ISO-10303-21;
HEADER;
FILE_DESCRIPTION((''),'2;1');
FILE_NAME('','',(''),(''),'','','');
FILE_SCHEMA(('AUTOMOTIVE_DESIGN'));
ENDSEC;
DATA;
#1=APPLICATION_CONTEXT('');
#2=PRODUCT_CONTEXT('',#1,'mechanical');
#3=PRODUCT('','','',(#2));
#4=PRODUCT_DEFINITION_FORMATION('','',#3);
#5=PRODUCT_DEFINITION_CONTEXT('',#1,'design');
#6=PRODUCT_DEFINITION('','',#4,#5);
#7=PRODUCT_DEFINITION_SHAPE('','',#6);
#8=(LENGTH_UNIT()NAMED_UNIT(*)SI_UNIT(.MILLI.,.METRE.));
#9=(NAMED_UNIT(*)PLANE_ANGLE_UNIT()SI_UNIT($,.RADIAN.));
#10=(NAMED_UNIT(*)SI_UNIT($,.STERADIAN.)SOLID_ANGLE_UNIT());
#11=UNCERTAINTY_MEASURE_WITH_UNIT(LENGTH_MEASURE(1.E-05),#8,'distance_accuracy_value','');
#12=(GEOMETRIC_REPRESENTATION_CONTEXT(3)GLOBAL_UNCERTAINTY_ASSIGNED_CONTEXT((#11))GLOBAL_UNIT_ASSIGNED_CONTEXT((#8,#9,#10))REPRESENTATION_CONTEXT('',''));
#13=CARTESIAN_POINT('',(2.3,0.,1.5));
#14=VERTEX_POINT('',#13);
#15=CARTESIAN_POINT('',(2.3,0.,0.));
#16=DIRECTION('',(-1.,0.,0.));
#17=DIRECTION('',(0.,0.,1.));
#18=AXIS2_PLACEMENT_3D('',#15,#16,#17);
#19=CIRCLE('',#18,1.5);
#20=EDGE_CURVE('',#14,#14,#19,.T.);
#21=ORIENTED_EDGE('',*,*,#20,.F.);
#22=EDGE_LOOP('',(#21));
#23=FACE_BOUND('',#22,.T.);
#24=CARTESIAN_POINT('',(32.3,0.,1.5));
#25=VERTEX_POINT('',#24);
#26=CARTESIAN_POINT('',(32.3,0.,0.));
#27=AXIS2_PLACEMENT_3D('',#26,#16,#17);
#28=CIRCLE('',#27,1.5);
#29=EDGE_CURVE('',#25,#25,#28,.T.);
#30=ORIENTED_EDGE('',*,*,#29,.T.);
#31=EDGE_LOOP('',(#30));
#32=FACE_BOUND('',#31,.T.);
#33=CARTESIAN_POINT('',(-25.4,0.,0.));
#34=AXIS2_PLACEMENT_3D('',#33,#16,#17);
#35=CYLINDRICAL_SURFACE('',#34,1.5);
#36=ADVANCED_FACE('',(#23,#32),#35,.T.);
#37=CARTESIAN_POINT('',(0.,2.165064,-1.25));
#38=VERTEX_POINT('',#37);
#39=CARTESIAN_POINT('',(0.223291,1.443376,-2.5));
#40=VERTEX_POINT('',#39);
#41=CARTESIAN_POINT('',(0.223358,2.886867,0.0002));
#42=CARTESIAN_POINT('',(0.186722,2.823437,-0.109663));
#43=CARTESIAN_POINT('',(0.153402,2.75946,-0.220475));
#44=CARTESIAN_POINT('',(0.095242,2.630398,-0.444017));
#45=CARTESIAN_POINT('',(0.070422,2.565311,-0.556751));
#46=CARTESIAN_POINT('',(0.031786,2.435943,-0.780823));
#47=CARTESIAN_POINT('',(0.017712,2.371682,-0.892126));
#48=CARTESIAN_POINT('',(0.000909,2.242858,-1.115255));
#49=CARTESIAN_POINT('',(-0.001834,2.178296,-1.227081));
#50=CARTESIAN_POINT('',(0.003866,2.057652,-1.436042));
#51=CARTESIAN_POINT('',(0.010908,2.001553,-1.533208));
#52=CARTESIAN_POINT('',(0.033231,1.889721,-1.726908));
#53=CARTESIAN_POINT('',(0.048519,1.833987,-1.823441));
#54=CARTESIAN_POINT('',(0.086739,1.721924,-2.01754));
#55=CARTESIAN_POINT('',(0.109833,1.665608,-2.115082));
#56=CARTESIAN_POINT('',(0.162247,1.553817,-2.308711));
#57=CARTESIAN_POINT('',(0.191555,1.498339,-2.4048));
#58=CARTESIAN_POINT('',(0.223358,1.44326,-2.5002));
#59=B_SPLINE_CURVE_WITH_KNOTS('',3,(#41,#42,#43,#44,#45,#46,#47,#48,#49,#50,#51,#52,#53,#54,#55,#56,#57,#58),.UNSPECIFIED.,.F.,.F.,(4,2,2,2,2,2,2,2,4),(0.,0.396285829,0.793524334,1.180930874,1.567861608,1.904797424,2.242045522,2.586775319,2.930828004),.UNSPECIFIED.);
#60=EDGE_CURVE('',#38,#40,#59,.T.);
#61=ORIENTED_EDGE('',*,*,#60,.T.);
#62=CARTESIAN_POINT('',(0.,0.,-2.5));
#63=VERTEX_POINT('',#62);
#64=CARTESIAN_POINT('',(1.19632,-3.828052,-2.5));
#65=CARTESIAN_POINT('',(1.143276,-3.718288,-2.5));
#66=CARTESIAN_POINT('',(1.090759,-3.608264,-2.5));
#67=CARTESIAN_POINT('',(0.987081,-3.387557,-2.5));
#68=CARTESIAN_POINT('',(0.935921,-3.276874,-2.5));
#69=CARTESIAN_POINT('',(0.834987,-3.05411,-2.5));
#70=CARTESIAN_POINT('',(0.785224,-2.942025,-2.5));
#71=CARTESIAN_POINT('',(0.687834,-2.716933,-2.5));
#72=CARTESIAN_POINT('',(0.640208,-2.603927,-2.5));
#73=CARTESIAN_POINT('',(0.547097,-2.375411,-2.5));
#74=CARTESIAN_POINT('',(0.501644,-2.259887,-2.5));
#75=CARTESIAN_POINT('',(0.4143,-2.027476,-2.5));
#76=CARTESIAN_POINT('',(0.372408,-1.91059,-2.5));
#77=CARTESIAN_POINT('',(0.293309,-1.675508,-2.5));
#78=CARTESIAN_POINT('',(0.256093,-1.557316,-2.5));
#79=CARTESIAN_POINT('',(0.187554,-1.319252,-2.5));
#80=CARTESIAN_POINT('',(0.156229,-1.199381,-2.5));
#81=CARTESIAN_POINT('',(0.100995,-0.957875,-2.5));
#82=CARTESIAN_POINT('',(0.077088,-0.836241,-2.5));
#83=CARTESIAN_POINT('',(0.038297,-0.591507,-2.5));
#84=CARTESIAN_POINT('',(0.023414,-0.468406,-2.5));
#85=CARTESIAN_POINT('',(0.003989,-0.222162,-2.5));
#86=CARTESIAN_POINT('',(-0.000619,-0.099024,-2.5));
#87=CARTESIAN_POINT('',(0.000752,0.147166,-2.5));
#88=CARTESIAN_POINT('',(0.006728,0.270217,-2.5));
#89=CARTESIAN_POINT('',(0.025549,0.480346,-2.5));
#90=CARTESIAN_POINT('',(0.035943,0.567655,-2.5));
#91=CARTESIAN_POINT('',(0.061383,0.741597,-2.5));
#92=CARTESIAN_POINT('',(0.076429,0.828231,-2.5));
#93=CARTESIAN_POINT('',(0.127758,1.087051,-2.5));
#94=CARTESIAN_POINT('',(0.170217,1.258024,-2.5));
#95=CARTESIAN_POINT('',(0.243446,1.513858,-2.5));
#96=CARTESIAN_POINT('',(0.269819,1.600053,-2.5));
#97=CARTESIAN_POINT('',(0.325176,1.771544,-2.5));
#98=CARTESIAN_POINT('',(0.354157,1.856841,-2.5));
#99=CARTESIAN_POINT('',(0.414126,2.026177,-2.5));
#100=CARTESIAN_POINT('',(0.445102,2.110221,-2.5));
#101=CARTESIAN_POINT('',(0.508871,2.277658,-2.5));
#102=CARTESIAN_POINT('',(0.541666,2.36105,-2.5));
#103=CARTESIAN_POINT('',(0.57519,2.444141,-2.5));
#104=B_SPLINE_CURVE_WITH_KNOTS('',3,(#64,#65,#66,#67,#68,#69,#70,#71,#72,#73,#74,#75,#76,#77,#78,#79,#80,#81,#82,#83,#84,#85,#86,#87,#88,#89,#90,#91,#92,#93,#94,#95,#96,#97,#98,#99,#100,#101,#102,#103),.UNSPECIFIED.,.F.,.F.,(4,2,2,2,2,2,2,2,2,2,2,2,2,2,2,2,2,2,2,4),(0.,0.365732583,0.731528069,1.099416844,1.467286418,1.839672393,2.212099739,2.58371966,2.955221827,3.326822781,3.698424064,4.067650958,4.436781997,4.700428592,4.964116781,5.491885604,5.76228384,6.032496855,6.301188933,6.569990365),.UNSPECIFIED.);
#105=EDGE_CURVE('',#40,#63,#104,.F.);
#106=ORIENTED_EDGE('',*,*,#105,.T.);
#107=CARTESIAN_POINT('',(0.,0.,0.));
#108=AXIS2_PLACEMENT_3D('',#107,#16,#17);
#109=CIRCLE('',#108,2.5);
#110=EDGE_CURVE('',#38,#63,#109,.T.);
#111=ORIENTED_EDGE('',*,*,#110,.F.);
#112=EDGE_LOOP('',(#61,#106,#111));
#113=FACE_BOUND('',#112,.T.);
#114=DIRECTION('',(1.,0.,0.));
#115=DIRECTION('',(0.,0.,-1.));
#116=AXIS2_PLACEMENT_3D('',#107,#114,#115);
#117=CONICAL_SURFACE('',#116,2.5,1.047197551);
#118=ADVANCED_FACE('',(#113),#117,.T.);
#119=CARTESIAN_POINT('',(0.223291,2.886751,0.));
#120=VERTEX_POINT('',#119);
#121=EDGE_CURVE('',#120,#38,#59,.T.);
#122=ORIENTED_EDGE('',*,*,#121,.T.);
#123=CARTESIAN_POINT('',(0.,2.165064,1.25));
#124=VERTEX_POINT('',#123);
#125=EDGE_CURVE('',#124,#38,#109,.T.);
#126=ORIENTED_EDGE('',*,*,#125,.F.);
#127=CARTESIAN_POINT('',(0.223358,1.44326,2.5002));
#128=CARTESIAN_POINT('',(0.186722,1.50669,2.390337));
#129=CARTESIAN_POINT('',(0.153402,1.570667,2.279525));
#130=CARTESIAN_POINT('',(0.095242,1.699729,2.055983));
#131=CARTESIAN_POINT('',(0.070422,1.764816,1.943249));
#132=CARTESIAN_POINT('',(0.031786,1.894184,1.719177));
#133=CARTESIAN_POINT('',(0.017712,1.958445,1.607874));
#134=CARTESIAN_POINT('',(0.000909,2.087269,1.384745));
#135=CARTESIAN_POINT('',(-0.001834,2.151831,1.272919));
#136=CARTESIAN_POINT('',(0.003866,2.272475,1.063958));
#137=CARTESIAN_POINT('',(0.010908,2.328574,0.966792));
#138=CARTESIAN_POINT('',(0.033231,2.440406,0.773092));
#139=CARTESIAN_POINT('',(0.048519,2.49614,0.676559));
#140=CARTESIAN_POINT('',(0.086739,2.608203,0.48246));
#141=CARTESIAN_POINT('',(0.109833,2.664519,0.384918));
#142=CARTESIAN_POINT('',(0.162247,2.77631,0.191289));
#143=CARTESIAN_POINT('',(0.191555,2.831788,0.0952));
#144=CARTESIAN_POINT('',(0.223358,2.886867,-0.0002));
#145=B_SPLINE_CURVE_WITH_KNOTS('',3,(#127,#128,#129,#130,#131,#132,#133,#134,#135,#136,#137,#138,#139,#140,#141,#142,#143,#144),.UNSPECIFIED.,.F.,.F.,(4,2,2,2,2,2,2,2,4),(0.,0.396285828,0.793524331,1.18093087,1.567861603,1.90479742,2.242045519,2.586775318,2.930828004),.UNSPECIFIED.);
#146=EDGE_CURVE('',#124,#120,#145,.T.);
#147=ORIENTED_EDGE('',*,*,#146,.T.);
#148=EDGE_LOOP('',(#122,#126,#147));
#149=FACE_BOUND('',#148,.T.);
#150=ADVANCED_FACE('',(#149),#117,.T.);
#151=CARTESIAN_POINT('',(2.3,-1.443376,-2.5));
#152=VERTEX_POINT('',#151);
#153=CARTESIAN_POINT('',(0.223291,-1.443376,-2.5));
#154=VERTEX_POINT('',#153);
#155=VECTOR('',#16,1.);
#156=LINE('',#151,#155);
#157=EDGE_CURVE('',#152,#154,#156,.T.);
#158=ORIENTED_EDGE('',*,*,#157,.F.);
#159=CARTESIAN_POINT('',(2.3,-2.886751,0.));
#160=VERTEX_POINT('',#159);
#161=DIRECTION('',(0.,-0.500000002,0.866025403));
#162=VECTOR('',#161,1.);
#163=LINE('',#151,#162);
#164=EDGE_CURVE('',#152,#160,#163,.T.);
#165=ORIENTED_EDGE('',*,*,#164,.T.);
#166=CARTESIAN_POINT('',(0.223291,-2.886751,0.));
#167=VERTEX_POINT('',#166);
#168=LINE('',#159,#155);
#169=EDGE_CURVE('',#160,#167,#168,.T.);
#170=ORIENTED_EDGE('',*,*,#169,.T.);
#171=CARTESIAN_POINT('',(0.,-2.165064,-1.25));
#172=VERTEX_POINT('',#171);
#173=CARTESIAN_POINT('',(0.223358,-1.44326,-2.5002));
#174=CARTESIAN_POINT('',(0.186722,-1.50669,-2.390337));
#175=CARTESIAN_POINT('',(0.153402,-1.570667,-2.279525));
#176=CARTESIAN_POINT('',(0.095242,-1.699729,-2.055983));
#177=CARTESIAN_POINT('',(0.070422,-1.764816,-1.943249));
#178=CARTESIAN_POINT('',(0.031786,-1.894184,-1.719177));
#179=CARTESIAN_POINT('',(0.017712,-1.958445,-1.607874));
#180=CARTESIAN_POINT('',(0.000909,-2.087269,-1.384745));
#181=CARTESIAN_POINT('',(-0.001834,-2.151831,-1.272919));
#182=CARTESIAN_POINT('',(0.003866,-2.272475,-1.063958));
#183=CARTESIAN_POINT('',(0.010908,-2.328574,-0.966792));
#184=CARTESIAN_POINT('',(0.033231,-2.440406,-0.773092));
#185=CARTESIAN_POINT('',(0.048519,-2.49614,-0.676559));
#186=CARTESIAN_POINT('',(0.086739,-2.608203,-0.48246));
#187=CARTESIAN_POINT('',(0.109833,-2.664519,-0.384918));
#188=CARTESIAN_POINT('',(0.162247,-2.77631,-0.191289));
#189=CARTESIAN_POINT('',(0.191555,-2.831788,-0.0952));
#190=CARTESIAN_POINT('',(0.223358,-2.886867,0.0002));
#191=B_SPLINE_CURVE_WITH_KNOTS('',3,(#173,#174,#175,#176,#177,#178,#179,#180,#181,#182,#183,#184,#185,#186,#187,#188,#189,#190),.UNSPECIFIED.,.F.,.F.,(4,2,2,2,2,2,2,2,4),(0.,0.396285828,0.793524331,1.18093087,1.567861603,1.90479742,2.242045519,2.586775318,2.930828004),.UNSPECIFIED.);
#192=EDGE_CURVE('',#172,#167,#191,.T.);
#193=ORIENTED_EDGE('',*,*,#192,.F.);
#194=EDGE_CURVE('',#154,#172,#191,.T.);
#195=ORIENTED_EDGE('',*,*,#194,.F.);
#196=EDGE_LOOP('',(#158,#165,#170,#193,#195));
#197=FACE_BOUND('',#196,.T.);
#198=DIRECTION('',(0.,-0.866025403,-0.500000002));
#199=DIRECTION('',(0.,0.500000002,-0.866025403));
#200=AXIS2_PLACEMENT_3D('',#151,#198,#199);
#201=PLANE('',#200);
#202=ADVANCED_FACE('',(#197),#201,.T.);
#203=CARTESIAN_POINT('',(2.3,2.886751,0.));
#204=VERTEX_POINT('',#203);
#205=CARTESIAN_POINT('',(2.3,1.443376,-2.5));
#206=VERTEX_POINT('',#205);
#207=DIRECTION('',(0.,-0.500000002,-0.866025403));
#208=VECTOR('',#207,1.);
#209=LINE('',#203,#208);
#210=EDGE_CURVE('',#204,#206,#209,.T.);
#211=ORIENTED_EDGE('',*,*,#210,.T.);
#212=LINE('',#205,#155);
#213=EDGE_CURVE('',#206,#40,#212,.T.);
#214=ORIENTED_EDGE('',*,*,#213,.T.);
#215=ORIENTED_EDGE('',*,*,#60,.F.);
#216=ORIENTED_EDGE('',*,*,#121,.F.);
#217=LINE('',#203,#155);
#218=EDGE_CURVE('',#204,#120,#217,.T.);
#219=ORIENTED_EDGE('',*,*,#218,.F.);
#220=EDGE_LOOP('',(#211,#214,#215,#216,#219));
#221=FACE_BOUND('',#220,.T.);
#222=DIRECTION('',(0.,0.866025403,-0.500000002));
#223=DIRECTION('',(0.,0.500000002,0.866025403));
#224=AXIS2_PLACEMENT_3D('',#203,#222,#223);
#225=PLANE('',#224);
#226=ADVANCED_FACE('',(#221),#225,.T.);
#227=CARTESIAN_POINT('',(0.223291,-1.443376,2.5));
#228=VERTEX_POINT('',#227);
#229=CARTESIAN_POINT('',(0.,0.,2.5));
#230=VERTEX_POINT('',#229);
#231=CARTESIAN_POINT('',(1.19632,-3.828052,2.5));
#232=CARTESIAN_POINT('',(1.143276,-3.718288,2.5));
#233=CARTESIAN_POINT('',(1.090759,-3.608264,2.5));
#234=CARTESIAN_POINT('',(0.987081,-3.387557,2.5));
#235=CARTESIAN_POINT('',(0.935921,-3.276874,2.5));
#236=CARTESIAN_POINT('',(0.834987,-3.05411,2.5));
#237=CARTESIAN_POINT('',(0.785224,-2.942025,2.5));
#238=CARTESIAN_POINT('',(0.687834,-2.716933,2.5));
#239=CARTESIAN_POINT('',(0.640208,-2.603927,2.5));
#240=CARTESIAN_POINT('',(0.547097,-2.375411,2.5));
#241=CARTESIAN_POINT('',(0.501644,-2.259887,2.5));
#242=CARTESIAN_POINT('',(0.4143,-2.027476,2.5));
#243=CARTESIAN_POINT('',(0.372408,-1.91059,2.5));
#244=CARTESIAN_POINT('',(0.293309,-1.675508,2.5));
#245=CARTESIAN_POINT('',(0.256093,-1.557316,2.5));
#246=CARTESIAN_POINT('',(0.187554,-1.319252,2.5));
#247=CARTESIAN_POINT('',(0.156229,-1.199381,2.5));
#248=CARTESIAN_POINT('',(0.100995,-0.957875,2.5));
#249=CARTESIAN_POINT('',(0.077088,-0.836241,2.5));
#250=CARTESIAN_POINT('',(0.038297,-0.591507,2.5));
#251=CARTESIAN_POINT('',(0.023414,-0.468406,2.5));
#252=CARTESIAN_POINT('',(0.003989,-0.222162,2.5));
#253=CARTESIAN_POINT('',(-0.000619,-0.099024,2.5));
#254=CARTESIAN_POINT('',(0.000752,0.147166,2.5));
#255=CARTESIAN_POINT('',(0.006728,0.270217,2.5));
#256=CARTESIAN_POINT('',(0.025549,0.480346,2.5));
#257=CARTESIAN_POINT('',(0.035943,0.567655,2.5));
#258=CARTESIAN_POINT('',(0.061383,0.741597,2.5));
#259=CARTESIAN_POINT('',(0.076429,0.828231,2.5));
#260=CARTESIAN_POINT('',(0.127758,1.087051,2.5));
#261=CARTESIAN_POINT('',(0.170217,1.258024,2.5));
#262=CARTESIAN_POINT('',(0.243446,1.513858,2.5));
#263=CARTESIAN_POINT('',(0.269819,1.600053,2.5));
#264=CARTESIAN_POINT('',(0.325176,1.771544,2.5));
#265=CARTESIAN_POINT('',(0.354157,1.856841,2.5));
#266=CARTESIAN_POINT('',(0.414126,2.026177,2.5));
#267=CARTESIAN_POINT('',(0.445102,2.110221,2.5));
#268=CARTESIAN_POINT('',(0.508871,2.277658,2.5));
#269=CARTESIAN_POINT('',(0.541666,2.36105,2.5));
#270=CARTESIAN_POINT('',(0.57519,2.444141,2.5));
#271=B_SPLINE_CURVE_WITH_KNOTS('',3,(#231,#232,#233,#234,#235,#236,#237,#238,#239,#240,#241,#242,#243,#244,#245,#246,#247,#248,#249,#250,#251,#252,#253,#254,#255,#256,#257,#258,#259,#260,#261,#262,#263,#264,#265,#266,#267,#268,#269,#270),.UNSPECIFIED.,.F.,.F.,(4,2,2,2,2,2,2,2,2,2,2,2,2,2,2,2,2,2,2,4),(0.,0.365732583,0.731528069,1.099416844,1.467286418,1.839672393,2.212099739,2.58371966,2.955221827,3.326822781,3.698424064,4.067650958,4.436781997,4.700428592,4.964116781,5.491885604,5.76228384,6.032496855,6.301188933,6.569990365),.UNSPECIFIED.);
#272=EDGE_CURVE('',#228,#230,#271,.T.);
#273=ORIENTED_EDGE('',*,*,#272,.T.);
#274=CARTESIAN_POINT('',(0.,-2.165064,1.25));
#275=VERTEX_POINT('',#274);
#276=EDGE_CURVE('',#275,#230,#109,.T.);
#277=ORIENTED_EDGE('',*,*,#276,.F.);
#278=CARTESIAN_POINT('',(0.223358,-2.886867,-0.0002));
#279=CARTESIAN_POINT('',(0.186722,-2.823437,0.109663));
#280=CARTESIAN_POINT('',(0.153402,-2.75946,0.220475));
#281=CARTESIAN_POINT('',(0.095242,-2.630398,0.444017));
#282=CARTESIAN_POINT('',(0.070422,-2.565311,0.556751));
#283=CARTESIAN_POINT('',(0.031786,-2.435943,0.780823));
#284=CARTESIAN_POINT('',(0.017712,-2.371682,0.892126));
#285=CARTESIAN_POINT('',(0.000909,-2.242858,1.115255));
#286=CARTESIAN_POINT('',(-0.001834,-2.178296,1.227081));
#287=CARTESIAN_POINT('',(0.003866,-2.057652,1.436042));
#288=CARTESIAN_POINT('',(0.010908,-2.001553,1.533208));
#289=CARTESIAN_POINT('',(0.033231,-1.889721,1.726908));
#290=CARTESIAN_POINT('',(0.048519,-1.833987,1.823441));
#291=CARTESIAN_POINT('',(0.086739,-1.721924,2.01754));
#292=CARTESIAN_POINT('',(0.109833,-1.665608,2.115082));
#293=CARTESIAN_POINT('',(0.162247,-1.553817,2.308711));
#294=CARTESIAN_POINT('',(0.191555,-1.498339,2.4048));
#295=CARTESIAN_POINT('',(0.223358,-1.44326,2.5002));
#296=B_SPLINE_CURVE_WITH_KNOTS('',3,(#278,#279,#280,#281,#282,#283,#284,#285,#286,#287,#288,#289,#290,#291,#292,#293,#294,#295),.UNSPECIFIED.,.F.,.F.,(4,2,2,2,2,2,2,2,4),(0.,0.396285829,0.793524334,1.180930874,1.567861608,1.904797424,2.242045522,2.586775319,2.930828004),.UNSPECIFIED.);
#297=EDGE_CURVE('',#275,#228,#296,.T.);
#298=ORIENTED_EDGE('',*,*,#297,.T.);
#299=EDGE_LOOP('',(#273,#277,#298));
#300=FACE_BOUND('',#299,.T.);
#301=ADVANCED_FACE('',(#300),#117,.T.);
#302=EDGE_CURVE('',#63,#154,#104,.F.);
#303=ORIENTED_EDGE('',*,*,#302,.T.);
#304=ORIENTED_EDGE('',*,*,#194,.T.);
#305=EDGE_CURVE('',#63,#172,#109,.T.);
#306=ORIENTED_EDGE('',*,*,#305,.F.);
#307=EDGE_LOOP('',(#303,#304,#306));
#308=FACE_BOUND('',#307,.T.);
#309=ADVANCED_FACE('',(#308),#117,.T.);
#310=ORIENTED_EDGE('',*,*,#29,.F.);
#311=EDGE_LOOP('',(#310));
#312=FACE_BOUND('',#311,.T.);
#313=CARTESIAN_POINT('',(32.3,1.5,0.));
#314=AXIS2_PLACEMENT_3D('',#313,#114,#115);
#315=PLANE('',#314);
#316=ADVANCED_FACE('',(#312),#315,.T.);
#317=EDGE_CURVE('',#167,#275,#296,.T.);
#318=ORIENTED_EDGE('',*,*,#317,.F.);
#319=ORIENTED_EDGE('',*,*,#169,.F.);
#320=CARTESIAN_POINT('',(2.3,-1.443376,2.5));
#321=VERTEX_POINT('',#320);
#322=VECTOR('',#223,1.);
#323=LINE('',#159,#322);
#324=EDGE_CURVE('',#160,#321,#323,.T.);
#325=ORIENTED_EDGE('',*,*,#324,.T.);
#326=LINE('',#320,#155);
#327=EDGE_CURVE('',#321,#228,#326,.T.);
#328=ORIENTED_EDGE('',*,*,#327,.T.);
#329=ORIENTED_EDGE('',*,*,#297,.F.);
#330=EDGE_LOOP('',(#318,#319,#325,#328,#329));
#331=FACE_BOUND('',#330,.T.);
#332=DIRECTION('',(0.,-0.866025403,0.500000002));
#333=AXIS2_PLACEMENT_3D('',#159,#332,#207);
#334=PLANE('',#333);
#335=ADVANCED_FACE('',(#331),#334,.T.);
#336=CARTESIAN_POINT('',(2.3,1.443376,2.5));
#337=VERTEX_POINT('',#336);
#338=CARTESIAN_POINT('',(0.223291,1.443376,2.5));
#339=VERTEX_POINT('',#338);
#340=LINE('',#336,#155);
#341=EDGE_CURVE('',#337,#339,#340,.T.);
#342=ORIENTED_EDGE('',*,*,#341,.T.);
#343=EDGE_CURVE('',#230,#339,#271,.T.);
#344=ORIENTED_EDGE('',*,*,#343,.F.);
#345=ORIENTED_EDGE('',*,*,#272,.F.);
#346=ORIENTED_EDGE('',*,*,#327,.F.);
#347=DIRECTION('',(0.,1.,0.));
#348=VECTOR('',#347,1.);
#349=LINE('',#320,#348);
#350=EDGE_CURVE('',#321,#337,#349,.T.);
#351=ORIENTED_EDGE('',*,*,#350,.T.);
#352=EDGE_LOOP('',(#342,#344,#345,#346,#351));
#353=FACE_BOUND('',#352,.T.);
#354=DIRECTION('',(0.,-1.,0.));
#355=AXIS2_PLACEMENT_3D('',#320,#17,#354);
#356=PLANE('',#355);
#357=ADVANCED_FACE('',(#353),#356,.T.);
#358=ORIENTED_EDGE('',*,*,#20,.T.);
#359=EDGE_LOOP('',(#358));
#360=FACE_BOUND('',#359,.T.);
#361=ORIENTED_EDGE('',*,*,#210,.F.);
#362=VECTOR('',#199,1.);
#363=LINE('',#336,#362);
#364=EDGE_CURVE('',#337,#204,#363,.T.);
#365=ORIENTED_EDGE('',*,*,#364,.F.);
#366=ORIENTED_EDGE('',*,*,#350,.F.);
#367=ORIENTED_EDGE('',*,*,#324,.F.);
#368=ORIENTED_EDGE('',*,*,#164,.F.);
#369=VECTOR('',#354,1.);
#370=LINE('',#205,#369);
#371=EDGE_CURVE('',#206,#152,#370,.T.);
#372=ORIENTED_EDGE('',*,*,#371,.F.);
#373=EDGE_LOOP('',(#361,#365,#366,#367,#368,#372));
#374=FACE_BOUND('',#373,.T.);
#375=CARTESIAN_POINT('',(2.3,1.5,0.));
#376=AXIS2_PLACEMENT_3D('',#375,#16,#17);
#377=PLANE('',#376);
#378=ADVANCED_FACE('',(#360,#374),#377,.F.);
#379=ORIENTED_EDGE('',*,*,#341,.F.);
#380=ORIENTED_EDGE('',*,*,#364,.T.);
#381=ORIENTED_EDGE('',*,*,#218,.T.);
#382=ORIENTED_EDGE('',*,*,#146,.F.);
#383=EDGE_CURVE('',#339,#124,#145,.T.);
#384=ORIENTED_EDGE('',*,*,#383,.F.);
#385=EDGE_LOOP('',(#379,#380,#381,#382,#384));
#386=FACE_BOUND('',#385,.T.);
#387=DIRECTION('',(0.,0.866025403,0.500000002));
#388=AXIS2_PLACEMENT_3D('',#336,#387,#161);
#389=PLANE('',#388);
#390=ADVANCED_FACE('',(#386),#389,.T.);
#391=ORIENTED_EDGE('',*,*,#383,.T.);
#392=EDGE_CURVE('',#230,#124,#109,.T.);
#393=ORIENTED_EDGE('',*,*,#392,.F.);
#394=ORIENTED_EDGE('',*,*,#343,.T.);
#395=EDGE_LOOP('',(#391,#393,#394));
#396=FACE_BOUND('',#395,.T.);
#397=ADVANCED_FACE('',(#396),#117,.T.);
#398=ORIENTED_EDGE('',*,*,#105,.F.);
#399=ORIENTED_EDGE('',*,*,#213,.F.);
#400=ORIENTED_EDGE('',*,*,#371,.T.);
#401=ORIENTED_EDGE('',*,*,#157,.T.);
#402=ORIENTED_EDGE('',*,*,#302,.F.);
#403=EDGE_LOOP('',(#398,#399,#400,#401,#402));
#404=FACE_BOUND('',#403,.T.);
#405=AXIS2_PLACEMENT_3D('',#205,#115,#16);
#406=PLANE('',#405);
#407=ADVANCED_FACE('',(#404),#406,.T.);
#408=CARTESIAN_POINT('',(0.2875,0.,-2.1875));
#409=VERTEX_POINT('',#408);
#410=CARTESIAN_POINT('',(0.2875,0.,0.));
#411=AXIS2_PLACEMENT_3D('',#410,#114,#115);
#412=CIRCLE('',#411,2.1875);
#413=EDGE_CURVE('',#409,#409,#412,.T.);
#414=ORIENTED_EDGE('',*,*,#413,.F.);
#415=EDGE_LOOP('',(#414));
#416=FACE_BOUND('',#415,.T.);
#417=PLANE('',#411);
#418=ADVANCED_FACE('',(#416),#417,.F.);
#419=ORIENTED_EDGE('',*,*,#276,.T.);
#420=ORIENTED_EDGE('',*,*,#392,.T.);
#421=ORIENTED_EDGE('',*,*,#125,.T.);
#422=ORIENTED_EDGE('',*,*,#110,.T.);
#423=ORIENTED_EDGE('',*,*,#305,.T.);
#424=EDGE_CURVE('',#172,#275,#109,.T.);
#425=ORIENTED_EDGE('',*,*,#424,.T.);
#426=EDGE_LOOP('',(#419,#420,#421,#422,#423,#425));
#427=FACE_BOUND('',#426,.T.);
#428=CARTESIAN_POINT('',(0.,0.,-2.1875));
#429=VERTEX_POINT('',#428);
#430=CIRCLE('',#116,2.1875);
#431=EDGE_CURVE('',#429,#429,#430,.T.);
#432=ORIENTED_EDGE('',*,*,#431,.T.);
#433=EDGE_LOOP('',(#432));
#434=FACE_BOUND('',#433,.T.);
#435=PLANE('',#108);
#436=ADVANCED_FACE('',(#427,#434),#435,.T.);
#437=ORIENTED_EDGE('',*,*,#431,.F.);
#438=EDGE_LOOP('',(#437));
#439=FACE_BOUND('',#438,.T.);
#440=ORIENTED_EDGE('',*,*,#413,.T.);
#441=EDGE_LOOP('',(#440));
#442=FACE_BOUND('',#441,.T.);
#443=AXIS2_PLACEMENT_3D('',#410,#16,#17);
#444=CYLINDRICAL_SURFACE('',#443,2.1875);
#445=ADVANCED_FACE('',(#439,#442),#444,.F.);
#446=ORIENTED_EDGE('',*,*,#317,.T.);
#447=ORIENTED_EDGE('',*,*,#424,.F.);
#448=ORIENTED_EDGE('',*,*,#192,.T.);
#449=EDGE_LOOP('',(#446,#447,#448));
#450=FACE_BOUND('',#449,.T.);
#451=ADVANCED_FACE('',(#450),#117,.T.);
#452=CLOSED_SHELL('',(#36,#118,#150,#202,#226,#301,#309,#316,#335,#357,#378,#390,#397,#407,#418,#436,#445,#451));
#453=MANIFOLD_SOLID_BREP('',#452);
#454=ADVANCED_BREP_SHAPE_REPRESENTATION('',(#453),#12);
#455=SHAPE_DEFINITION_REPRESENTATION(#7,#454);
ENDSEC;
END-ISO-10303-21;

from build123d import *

# Parameters (mm, degrees)
SKETCH2_R     = 2.915704388
HEX_DIE_DEPTH = 2.3
SKETCH4_R     = 2.1875
INDENT_DEPTH  = 0.2875


with BuildPart() as part:
    # BodySke → Base-Revolve (revolve)
    with BuildSketch(Plane.XY, mode=Mode.PRIVATE) as base_revolve_sk:
        Polygon((2.3, 1.5), (2.3, 2.886836028), (0.223339885, 2.886836028), (0, 2.5), (0, 0), (32.3, 0), (32.3, 1.5), align=None)
    revolve(base_revolve_sk.sketch.rotate(Axis((-25.4, 0, 0), (1, 0, 0)), 90), axis=Axis((-25.4, 0, 0), (1, 0, 0)))

    # Sketch2 → Hex-Die (cut)
    with BuildSketch(Plane(origin=(0, 0, 0), x_dir=(0, 0, -1), z_dir=(1, 0, 0))):
        Circle(SKETCH2_R)
        Polygon((-2.5, 1.443375679), (0, 2.886751359), (2.5, 1.443375679), (2.5, -1.443375679), (0, -2.886751359), (-2.5, -1.443375679), align=None, mode=Mode.SUBTRACT)
    extrude(amount=HEX_DIE_DEPTH, mode=Mode.SUBTRACT)

    # Sketch4 → Indent (cut)
    with BuildSketch(Plane(origin=(0, 0, 0), x_dir=(0, 0, -1), z_dir=(1, 0, 0))):
        Circle(SKETCH4_R)
    extrude(amount=INDENT_DEPTH, mode=Mode.SUBTRACT)


solid = part.part
